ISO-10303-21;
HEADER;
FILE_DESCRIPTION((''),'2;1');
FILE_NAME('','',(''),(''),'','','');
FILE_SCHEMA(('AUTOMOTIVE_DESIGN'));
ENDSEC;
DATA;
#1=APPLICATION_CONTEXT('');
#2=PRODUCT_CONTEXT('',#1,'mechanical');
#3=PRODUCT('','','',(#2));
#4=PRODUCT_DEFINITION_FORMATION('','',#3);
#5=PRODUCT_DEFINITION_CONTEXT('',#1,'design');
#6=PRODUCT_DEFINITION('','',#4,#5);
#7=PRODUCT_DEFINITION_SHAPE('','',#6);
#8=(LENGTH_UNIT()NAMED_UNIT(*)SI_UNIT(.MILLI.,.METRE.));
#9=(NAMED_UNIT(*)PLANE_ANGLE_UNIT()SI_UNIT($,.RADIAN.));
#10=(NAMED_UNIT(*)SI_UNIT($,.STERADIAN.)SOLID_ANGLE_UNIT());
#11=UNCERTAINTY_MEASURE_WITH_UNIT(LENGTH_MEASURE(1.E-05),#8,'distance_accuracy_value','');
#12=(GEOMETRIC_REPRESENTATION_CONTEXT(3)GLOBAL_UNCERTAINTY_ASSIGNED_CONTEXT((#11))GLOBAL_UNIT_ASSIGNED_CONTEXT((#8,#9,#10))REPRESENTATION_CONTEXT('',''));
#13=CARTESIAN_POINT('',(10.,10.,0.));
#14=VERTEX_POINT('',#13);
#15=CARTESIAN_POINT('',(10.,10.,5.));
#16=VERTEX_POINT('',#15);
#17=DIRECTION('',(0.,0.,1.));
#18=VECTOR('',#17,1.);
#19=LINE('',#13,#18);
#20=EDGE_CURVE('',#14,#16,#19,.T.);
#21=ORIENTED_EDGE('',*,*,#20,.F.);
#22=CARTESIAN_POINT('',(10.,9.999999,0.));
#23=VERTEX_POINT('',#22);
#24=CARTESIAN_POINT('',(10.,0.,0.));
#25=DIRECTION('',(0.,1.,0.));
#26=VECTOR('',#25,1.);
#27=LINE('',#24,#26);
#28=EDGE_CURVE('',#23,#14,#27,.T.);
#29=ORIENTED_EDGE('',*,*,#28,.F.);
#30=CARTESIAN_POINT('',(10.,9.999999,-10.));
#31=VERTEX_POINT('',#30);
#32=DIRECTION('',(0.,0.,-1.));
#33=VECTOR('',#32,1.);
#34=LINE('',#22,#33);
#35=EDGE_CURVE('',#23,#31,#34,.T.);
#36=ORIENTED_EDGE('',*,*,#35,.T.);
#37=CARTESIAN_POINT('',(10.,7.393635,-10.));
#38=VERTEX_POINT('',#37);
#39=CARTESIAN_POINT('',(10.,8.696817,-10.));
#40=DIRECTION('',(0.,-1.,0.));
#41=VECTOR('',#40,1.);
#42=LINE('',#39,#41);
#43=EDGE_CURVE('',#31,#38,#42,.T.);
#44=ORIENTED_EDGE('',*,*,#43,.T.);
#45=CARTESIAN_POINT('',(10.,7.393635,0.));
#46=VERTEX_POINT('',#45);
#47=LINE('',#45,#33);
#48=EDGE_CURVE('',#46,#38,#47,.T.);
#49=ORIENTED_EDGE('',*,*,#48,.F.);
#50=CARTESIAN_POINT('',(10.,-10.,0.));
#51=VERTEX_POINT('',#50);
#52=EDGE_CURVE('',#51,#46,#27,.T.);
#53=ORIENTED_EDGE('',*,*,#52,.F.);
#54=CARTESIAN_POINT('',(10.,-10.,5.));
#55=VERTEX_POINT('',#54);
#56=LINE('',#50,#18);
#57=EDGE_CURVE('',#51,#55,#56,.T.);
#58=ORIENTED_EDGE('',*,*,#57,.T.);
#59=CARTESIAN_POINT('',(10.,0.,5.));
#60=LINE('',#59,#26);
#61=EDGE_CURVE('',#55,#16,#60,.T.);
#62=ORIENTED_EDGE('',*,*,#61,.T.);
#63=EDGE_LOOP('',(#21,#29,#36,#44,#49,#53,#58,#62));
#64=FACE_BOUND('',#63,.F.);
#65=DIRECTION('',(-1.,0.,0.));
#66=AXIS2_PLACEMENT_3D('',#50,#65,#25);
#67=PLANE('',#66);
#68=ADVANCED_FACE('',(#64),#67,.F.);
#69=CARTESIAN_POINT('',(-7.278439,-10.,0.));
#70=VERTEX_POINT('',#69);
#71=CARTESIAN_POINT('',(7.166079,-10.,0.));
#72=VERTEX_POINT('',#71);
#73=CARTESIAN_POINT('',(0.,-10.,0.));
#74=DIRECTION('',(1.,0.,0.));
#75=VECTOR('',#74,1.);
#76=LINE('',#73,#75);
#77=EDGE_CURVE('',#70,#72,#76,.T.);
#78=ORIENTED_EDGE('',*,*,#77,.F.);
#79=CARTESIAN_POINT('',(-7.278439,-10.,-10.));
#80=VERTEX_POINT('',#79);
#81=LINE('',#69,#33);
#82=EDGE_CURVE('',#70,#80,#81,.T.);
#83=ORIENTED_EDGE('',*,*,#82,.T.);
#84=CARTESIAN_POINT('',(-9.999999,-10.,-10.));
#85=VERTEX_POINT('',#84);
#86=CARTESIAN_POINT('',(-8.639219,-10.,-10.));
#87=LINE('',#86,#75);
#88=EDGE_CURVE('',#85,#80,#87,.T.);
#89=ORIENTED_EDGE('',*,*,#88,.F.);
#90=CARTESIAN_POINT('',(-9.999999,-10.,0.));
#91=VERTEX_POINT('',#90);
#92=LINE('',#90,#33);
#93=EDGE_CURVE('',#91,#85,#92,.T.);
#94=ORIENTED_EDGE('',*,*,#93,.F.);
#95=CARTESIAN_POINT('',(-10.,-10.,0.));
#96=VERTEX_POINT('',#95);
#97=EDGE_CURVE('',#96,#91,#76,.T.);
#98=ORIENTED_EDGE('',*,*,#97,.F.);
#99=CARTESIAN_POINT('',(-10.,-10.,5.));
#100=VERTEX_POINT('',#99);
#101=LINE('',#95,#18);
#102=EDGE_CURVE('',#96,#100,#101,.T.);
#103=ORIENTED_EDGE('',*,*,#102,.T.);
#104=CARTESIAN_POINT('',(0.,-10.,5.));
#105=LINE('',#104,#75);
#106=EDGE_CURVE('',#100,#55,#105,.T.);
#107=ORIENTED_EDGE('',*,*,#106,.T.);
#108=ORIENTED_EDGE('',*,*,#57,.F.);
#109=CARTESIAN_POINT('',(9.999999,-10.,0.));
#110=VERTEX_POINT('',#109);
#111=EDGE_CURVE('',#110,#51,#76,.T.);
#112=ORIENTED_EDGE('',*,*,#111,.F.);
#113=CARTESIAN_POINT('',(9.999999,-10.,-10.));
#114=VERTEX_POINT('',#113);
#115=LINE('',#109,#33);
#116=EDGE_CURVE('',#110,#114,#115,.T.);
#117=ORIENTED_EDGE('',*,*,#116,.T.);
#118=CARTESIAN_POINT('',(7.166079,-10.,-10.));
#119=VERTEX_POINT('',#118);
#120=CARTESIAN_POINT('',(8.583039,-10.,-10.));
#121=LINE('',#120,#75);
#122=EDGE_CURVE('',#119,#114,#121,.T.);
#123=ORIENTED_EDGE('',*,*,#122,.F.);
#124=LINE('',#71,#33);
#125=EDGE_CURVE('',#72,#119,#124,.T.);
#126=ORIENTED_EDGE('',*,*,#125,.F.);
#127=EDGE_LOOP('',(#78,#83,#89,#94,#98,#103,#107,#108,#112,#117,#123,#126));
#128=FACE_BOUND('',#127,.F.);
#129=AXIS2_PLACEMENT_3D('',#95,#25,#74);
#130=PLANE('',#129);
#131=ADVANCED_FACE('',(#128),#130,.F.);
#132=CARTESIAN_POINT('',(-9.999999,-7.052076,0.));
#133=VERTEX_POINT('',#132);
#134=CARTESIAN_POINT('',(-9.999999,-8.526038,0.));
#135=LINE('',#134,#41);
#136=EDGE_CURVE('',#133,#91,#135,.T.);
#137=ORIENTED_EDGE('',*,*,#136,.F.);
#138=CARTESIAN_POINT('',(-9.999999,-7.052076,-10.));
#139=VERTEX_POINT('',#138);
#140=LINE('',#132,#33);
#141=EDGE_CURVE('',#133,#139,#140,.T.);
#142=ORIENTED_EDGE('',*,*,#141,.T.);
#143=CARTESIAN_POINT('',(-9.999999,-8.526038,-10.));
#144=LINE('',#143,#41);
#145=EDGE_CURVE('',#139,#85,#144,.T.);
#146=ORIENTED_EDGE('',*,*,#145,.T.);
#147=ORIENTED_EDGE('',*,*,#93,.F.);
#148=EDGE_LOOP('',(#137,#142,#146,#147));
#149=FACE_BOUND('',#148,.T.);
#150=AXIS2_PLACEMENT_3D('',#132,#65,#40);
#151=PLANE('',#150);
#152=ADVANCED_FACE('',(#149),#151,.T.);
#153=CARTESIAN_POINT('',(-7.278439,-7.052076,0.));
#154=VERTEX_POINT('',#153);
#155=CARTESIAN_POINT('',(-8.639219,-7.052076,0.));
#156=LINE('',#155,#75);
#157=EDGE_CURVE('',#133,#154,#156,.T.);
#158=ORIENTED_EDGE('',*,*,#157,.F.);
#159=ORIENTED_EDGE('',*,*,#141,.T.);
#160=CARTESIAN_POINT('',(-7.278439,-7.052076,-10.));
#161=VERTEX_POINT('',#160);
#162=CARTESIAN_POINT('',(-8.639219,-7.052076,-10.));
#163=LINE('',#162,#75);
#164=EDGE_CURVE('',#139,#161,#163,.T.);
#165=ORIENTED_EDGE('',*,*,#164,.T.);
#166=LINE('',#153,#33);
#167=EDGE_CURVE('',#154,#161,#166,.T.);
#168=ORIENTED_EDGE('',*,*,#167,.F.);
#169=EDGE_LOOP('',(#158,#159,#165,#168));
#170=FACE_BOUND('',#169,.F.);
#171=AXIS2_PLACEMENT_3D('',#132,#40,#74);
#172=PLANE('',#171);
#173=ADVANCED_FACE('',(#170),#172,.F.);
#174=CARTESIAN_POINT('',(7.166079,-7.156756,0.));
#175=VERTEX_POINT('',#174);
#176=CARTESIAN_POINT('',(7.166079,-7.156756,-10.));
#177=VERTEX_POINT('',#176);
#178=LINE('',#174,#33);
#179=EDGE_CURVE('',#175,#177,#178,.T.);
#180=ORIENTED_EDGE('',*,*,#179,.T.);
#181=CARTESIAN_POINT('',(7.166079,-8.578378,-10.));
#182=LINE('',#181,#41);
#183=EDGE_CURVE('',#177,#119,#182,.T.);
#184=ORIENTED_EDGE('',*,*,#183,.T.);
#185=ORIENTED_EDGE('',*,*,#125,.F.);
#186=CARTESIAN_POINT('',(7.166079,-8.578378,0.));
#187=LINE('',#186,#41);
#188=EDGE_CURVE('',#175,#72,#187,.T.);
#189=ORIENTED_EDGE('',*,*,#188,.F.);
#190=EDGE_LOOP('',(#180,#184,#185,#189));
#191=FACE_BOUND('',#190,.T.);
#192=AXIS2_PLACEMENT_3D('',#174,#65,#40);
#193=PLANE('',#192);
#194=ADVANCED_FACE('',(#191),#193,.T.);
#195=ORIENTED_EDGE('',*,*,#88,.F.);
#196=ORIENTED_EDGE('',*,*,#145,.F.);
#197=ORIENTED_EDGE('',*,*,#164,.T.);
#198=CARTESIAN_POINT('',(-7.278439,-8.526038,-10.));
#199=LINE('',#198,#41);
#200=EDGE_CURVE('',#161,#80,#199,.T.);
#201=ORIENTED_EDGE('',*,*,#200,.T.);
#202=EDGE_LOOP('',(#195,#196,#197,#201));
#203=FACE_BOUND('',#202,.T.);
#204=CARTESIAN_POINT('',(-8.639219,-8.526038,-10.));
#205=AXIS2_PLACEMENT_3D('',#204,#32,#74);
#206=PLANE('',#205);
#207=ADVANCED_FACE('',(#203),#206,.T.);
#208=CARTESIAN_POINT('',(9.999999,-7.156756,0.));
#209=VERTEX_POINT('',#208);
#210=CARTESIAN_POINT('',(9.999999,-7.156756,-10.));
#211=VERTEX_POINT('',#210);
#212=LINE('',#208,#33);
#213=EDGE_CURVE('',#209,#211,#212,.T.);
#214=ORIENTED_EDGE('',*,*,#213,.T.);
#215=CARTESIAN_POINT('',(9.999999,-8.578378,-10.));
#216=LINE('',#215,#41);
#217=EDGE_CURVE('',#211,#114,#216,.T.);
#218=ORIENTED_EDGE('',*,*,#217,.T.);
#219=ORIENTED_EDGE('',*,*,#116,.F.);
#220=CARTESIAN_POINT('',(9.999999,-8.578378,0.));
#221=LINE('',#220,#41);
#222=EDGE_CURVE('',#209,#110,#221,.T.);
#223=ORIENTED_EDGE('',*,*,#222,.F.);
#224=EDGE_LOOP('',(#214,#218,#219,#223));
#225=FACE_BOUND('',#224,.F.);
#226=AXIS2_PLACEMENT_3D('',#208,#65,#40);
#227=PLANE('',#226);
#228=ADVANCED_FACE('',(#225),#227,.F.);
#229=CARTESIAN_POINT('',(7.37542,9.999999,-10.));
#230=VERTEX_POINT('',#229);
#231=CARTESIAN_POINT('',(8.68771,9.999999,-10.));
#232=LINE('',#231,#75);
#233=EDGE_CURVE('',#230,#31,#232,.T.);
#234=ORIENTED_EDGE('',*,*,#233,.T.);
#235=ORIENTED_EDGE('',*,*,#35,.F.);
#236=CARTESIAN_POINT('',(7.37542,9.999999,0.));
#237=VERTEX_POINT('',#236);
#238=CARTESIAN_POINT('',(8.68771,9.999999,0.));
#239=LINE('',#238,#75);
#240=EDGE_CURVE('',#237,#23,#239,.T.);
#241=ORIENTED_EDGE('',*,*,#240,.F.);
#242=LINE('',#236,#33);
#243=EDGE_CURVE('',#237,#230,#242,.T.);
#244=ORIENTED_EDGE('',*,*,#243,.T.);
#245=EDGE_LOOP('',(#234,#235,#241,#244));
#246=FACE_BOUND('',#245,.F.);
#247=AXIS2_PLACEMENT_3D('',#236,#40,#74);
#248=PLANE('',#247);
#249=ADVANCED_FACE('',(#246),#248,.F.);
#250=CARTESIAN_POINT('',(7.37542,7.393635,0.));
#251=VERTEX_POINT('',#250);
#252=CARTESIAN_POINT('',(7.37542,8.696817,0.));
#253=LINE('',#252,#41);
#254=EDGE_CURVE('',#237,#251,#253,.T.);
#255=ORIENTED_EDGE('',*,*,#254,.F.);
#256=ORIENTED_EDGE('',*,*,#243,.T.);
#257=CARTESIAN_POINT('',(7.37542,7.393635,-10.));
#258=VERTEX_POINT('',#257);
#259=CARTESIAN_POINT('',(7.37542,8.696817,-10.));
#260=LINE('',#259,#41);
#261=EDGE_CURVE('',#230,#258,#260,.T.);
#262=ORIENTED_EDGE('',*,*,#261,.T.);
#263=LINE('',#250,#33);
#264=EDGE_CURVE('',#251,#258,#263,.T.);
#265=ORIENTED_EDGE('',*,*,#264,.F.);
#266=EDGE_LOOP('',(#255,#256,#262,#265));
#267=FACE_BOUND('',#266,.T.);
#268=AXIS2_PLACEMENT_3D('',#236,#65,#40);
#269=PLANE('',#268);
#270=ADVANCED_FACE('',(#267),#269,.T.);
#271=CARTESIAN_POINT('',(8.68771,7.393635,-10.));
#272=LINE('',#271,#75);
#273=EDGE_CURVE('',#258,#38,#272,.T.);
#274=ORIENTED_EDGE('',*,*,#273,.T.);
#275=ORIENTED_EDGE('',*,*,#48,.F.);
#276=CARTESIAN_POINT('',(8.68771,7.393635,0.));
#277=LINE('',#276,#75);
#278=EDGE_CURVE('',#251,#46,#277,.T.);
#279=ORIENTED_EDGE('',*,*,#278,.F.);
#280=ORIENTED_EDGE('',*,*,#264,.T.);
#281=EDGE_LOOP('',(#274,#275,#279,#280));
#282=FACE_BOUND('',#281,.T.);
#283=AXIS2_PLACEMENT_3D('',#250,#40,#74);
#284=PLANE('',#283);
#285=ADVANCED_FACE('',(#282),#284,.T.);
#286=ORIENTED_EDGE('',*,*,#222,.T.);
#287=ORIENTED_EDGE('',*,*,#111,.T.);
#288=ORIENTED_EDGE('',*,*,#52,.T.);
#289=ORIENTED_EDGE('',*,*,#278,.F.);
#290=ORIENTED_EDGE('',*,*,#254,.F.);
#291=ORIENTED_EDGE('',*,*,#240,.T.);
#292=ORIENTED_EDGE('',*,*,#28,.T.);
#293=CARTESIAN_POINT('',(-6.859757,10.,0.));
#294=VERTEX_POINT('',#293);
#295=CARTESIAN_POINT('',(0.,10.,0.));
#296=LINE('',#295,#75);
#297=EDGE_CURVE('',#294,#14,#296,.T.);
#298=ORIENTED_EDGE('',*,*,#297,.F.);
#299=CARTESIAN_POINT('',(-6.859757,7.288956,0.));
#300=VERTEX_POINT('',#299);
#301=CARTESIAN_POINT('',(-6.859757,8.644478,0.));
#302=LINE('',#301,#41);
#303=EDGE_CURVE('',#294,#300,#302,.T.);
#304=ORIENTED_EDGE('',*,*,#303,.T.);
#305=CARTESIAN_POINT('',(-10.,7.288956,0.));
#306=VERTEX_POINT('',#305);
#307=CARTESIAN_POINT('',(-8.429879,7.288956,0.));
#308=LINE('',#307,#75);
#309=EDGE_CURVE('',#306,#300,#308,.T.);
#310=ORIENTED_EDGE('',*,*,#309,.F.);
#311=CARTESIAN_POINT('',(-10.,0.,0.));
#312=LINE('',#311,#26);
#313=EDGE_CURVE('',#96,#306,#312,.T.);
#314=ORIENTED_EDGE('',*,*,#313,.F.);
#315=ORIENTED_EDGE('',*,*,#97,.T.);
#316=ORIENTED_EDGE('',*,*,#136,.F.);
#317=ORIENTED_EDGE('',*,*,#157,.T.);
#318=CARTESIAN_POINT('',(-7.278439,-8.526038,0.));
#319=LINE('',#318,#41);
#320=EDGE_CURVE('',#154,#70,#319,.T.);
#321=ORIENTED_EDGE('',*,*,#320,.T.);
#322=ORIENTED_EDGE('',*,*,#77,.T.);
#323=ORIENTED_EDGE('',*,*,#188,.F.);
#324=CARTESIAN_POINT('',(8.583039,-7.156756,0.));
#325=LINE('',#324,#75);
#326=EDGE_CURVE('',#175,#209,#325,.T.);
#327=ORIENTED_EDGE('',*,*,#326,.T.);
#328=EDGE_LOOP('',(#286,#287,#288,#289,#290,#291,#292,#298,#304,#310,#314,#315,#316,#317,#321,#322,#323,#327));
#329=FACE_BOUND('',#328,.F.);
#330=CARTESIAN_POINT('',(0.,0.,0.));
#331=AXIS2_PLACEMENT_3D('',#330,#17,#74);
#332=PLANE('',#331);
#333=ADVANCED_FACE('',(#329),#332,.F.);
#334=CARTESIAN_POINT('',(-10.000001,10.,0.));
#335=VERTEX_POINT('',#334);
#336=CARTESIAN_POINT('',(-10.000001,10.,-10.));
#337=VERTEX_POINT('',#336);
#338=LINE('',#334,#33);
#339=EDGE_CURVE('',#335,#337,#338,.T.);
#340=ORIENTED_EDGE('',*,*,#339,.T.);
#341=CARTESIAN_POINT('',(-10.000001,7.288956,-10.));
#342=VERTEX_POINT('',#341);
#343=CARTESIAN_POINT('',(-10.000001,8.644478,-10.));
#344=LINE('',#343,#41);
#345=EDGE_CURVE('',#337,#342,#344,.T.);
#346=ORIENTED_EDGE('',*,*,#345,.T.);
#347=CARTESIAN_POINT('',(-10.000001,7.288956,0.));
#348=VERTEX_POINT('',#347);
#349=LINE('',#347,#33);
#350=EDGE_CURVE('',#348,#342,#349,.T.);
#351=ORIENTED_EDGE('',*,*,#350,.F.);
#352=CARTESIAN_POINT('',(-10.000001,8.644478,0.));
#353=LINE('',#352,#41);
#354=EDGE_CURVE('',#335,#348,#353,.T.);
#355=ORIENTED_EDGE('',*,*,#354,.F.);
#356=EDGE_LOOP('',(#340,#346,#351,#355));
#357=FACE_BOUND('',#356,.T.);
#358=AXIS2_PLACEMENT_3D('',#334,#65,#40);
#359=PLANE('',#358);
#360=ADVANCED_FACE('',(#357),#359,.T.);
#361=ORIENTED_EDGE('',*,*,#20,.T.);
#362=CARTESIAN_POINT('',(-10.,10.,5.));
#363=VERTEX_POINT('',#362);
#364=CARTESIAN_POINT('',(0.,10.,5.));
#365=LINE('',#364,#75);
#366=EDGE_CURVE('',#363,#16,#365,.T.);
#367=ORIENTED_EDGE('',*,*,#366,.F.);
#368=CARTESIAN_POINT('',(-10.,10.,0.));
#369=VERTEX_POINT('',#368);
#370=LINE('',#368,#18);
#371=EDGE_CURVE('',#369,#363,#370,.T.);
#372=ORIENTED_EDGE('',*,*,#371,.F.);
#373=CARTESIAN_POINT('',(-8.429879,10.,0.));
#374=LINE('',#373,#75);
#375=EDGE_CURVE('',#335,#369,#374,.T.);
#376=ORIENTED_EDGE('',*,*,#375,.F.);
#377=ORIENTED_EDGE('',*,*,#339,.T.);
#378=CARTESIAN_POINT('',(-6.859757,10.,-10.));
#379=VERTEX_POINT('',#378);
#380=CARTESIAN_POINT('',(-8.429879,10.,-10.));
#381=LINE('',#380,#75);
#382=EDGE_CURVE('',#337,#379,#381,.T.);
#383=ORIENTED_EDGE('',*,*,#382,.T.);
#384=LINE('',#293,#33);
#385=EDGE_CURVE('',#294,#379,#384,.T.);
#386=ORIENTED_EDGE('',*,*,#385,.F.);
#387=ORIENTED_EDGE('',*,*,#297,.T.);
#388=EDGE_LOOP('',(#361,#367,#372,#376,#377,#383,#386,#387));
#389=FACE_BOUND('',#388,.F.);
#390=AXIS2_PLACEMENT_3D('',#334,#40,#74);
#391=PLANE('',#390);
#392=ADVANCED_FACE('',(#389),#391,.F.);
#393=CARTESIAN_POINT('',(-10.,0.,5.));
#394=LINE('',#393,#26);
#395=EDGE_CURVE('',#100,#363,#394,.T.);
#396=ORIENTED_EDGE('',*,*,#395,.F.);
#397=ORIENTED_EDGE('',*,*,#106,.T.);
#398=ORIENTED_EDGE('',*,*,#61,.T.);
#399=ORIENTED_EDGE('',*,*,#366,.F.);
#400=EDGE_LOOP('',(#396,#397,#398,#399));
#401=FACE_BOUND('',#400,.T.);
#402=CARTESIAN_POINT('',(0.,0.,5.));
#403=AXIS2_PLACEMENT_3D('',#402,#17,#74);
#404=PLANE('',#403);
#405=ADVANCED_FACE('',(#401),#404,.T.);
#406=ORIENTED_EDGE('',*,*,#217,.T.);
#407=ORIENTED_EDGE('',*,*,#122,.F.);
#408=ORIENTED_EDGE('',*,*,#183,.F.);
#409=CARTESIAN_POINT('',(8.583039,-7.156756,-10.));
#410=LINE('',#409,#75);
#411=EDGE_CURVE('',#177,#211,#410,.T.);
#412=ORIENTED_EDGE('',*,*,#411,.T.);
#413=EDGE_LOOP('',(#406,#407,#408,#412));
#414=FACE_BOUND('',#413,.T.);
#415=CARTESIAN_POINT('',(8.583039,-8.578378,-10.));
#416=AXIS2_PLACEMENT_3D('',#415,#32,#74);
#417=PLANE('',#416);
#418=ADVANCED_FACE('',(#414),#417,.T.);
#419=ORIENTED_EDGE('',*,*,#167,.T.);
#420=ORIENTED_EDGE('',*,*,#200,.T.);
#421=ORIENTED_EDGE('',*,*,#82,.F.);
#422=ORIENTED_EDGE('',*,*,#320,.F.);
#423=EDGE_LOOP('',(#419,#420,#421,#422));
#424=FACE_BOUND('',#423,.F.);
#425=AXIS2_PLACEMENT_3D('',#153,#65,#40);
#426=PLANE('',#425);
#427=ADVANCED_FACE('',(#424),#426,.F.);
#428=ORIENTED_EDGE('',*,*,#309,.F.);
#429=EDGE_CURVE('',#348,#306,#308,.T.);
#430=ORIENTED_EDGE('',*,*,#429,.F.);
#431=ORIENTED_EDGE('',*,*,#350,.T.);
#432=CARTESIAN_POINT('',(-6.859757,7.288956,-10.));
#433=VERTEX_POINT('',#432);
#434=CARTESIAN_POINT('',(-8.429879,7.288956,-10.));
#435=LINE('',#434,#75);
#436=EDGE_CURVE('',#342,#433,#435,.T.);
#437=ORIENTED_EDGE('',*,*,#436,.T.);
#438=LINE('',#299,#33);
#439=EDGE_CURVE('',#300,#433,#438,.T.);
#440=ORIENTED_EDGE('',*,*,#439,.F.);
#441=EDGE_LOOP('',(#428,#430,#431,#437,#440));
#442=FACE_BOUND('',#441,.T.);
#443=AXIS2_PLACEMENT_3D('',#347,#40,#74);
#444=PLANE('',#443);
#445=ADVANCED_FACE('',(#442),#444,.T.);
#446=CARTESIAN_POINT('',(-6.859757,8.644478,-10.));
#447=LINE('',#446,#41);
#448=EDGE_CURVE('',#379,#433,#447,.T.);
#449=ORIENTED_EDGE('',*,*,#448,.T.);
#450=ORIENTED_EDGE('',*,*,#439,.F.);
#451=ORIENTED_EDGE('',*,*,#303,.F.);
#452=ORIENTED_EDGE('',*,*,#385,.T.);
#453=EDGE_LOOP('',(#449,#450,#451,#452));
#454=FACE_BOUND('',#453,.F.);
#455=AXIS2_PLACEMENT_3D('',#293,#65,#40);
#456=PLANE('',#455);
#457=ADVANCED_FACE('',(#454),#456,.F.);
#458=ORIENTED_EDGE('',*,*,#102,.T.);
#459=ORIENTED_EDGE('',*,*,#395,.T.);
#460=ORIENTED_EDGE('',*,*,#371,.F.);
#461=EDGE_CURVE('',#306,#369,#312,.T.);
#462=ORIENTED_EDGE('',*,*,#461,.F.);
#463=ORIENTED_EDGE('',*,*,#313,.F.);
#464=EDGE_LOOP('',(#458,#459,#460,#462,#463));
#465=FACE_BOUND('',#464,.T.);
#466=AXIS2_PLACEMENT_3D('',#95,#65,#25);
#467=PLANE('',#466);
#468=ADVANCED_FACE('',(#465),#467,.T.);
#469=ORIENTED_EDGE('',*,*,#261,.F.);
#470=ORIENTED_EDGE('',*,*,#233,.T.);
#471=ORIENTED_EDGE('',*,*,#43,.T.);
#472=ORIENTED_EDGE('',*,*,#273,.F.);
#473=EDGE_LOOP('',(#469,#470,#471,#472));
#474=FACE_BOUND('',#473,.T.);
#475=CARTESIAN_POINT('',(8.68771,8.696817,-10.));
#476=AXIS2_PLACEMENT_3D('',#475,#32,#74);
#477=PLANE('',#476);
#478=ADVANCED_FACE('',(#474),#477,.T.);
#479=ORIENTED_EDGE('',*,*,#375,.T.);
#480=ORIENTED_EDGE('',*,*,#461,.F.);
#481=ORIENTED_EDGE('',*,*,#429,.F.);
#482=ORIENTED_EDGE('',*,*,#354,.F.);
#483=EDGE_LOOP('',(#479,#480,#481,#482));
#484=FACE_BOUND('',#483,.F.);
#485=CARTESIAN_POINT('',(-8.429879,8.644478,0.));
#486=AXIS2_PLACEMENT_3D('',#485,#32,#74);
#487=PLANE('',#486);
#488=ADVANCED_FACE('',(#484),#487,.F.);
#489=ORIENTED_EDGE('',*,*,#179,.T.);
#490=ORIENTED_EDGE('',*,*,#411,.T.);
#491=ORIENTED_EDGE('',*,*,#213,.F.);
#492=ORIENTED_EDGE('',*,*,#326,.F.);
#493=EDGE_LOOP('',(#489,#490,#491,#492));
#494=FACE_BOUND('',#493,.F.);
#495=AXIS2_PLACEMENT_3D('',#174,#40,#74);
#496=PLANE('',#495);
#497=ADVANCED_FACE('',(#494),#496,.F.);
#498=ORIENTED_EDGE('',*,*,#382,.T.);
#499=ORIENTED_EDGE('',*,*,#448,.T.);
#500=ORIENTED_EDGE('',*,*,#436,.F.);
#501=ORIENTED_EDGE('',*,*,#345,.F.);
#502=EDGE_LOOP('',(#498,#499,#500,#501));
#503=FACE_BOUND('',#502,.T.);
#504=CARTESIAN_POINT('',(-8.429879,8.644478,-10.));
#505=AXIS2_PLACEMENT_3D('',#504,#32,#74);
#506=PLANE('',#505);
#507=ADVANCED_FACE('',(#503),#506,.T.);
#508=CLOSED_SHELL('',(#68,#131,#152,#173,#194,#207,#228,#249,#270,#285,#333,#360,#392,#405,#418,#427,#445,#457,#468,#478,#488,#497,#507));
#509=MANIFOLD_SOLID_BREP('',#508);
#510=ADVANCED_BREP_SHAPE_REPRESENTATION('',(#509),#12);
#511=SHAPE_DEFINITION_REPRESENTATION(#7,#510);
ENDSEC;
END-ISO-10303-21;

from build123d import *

# Parameters (mm, degrees)
F0_W     = 20
F0_H     = 20
F1_DEPTH = 5
F2_W     = 2.721561
F2_H     = 2.947924
F2_W_2   = 2.833921
F2_H_2   = 2.843244
F2_W_3   = 2.62458
F2_H_3   = 2.606365
F2_W_4   = 3.140243
F2_H_4   = 2.711044
F3_DEPTH = 10


with BuildPart() as f1:
    # F0 (on Top) → F1 (new body)
    with BuildSketch(Plane.XY):
        Rectangle(F0_W, F0_H)
    extrude(amount=F1_DEPTH)

    # F2 (on face) → F3 (join)
    with BuildSketch(Plane(origin=(0, 0, 0), x_dir=(1, 0, 0), z_dir=(0, 0, -1))):
        with Locations((-8.639219, 8.526038)):
            Rectangle(F2_W, F2_H)
        with Locations((8.583039, 8.578378)):
            Rectangle(F2_W_2, F2_H_2)
        with Locations((8.68771, -8.696817)):
            Rectangle(F2_W_3, F2_H_3)
        with Locations((-8.429879, -8.644478)):
            Rectangle(F2_W_4, F2_H_4)
    extrude(amount=F3_DEPTH)


solid = f1.part
